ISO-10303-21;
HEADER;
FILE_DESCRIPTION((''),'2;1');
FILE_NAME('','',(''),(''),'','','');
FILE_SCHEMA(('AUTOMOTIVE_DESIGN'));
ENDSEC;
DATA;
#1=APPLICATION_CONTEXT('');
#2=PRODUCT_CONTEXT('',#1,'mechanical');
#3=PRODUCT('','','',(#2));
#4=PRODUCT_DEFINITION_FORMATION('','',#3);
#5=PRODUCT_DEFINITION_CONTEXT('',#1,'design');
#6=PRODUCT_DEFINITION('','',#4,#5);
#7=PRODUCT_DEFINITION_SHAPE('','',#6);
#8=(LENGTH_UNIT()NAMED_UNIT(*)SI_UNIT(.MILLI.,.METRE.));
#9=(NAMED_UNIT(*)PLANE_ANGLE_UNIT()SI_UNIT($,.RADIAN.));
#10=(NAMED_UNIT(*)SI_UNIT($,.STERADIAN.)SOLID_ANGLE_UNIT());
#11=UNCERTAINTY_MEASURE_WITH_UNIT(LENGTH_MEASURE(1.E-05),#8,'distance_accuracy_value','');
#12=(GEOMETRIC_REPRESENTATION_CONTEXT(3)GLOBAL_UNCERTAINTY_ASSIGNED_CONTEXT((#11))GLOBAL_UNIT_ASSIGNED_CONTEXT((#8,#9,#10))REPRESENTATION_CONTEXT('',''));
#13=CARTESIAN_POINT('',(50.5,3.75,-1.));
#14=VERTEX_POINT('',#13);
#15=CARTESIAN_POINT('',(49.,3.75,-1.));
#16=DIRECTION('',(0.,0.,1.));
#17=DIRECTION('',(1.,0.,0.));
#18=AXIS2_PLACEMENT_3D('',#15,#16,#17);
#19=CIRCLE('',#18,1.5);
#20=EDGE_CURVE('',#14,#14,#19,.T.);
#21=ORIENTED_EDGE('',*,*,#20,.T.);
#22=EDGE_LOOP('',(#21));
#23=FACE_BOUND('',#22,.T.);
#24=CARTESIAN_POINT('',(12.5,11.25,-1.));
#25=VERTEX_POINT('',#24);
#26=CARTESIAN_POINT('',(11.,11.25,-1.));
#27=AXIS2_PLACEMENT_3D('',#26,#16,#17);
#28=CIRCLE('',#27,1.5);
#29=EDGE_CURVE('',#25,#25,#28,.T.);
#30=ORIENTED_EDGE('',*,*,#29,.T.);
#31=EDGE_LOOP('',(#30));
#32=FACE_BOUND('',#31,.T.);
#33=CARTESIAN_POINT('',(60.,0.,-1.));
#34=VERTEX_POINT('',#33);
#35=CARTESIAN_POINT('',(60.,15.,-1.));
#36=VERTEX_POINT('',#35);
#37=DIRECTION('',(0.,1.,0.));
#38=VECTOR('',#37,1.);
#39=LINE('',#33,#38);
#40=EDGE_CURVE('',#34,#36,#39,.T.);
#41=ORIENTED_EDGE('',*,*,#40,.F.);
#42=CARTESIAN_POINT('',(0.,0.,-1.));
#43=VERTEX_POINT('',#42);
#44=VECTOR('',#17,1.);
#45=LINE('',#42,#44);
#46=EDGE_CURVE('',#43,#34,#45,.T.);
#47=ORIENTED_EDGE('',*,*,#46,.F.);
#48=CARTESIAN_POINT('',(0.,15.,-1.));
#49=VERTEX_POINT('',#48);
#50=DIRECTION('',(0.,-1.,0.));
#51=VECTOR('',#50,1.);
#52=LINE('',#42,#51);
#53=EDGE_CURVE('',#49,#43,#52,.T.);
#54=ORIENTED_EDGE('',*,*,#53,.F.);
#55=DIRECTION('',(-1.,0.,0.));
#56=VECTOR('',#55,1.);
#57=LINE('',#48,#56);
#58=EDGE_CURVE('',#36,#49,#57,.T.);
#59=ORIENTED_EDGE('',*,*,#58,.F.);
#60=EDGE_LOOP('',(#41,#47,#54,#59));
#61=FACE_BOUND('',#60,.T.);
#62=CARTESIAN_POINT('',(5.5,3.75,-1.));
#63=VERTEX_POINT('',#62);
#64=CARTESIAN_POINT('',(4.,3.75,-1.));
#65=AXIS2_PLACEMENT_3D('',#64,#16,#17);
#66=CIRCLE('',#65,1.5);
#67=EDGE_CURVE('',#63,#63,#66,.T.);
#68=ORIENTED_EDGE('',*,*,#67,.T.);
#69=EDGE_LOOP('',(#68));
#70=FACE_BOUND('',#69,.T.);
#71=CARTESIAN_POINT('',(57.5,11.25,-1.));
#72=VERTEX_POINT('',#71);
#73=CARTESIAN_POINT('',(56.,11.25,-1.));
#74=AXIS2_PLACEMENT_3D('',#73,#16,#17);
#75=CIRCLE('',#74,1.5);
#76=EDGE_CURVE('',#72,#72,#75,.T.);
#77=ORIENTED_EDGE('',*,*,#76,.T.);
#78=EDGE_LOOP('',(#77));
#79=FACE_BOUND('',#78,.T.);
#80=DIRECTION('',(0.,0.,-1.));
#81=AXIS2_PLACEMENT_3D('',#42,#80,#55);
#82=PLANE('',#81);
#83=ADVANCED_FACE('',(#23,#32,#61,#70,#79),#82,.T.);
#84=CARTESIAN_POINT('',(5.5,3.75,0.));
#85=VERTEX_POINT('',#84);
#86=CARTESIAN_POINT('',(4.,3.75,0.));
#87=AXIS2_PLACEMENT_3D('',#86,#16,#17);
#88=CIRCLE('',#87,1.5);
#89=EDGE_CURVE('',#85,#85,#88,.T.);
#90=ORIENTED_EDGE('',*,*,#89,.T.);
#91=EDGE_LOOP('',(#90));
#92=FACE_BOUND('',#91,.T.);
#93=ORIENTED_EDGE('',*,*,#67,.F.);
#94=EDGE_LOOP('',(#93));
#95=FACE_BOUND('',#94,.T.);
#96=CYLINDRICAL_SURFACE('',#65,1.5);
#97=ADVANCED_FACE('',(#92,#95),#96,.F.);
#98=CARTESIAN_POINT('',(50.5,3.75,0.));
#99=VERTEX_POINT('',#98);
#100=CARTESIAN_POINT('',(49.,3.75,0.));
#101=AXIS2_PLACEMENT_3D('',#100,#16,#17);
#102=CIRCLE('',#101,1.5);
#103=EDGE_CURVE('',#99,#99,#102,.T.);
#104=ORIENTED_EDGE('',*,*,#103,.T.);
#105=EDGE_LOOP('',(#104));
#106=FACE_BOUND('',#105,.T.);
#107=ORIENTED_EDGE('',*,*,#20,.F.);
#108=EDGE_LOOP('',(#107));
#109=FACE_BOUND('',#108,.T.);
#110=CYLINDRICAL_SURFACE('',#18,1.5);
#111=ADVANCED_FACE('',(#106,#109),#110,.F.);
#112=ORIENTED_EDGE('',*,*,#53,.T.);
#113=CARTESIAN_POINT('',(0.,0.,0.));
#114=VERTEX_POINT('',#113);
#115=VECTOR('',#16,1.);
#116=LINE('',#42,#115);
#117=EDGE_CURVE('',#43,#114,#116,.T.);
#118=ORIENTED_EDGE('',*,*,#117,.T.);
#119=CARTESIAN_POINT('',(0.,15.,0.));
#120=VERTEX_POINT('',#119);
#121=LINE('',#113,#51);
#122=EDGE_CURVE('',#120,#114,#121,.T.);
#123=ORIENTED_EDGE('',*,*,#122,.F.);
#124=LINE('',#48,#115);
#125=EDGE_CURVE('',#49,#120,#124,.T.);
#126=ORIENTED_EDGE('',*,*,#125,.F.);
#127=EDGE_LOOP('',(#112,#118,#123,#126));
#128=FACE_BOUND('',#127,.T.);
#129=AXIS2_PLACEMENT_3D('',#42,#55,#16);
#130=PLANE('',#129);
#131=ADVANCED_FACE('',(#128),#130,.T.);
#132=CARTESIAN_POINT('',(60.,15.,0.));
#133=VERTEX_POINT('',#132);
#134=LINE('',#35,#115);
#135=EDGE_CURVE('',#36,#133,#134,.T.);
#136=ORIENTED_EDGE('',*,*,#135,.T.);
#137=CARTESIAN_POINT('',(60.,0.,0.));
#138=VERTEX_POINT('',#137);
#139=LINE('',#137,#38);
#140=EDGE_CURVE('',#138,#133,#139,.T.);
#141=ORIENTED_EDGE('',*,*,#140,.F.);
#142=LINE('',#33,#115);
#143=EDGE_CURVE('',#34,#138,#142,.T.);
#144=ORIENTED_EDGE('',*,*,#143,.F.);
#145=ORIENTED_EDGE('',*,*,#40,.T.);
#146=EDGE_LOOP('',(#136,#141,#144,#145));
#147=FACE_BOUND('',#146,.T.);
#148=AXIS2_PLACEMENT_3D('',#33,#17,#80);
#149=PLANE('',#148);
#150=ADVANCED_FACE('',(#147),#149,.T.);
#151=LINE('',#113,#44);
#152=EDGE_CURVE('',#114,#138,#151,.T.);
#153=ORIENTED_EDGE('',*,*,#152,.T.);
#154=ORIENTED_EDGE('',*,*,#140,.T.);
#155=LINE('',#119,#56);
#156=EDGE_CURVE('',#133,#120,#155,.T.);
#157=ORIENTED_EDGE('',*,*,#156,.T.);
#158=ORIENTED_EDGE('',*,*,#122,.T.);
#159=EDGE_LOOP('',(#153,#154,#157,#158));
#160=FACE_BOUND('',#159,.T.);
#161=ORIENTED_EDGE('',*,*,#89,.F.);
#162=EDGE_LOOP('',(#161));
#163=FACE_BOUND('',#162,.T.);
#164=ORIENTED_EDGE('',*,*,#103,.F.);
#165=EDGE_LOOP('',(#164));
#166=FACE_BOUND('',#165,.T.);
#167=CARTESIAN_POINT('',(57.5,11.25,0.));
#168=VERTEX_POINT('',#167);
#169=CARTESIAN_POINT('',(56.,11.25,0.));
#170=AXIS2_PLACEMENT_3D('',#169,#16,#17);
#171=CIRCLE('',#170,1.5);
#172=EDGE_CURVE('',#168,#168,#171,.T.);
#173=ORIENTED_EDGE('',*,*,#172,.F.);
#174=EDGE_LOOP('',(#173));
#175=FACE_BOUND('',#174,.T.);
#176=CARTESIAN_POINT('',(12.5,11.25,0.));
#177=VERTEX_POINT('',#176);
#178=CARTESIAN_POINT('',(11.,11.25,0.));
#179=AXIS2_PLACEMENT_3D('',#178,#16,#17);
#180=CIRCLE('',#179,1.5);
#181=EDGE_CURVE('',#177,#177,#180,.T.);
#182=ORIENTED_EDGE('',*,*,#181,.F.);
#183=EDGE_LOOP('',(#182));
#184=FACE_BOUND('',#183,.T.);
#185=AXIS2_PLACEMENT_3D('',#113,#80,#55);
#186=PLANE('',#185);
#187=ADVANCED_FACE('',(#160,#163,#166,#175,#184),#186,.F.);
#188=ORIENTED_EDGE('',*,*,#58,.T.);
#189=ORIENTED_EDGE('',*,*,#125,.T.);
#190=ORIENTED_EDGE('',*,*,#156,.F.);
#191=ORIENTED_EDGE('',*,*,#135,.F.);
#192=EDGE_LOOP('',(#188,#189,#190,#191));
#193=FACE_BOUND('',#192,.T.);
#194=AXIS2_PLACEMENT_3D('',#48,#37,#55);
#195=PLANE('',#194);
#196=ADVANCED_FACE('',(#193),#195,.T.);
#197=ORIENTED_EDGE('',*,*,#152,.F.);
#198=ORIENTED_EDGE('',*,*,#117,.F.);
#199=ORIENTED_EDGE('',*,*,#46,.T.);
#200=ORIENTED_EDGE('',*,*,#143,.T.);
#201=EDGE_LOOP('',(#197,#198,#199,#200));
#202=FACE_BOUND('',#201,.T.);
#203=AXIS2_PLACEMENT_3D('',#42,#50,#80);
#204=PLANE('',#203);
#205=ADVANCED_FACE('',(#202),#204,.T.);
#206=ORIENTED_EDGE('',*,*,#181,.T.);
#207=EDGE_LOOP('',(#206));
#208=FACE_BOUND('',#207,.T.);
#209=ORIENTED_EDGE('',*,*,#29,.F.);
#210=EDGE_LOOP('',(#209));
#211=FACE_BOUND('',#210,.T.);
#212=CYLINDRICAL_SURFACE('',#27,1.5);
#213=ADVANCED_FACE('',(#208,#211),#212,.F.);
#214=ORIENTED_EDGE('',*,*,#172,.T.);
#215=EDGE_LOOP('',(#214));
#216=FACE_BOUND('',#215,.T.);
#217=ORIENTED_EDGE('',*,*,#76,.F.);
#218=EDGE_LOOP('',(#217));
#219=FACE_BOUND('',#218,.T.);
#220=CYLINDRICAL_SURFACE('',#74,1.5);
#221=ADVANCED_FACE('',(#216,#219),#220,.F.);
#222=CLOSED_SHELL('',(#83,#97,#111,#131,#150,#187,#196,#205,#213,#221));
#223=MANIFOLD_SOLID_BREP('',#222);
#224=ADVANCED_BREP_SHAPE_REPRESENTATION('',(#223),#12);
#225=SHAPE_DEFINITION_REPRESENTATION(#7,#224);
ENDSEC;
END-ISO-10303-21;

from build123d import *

# Parameters (mm, degrees)
ESQUISSE1_W        = 60
ESQUISSE1_H        = 15
ESQUISSE1_R        = 1.5
BOSS_EXTRU_1_DEPTH = 1


with BuildPart() as part:
    # Esquisse1 → Boss.-Extru.1 (new body)
    with BuildSketch(Plane.XY):
        with Locations((30, 7.5)):
            Rectangle(ESQUISSE1_W, ESQUISSE1_H)
        with Locations((11, 11.25)):
            Circle(ESQUISSE1_R, mode=Mode.SUBTRACT)
        with Locations((4, 3.75)):
            Circle(ESQUISSE1_R, mode=Mode.SUBTRACT)
        with Locations((56, 11.25)):
            Circle(ESQUISSE1_R, mode=Mode.SUBTRACT)
        with Locations((49, 3.75)):
            Circle(ESQUISSE1_R, mode=Mode.SUBTRACT)
    extrude(amount=-BOSS_EXTRU_1_DEPTH)


solid = part.part
